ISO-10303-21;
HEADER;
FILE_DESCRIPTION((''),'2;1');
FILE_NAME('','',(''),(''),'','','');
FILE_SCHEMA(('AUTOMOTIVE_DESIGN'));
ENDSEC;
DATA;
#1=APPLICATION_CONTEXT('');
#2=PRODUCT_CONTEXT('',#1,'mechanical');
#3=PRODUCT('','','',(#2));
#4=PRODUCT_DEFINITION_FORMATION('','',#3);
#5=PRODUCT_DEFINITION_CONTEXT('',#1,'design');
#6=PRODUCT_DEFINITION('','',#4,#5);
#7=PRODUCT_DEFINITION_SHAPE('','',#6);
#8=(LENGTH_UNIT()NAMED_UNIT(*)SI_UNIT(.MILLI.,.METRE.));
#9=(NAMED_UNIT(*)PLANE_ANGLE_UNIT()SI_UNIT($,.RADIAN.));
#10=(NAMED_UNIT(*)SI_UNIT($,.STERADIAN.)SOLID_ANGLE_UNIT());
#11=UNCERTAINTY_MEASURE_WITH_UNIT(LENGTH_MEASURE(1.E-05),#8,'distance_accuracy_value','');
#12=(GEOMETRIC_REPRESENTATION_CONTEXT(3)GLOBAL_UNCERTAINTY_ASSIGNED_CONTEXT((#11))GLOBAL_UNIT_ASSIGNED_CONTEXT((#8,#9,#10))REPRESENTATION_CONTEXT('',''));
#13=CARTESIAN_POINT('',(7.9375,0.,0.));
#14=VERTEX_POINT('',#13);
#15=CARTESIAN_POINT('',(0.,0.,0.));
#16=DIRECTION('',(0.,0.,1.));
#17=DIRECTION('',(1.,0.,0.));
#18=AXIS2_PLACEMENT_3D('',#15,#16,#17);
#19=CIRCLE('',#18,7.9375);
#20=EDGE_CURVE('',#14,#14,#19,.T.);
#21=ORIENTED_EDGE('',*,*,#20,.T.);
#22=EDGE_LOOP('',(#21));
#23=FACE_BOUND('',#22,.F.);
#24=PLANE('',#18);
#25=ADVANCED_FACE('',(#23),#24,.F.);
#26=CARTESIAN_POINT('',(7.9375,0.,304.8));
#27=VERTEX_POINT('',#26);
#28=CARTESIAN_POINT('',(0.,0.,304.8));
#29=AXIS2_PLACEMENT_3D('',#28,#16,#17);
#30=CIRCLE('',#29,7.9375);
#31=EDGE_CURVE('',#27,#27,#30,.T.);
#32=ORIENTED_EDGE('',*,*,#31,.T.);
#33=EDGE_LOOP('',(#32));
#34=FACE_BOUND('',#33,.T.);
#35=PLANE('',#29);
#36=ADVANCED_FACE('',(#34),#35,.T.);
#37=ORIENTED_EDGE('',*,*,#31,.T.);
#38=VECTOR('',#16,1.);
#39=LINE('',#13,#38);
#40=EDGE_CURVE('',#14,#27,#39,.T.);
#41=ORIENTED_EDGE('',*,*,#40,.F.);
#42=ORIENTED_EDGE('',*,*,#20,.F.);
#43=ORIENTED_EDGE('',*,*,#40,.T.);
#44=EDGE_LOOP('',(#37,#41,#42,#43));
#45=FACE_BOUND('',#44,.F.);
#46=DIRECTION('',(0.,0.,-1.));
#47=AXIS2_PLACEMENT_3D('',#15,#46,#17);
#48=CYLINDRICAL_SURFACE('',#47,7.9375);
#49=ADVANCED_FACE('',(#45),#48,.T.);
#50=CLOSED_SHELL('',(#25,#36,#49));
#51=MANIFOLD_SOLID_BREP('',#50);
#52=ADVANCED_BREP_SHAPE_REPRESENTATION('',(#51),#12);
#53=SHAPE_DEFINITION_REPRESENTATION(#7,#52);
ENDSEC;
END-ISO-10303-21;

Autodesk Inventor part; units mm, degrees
ref_plane "YZ Plane" through (0, 0, 0) normal (1, 0, 0) x (0, 1, 0)
ref_plane "XZ Plane" through (0, 0, 0) normal (0, 1, 0) x (-1, 0, 0)
ref_plane "XY Plane" through (0, 0, 0) normal (0, 0, 1) x (1, 0, 0)
sketch "Sketch1" plane through (0, 0, 0) normal (0, 0, 1) x (1, 0, 0)
  circle A0 centre (0, 0) radius 7.9375
  dimension "d0" = 15.875
  dimension "d0" = 15.875
extrude "Extrusion1" add sketch "Sketch1" along normal blind 304.8
properties part number "AWI-10" material "Aluminum-6061"
